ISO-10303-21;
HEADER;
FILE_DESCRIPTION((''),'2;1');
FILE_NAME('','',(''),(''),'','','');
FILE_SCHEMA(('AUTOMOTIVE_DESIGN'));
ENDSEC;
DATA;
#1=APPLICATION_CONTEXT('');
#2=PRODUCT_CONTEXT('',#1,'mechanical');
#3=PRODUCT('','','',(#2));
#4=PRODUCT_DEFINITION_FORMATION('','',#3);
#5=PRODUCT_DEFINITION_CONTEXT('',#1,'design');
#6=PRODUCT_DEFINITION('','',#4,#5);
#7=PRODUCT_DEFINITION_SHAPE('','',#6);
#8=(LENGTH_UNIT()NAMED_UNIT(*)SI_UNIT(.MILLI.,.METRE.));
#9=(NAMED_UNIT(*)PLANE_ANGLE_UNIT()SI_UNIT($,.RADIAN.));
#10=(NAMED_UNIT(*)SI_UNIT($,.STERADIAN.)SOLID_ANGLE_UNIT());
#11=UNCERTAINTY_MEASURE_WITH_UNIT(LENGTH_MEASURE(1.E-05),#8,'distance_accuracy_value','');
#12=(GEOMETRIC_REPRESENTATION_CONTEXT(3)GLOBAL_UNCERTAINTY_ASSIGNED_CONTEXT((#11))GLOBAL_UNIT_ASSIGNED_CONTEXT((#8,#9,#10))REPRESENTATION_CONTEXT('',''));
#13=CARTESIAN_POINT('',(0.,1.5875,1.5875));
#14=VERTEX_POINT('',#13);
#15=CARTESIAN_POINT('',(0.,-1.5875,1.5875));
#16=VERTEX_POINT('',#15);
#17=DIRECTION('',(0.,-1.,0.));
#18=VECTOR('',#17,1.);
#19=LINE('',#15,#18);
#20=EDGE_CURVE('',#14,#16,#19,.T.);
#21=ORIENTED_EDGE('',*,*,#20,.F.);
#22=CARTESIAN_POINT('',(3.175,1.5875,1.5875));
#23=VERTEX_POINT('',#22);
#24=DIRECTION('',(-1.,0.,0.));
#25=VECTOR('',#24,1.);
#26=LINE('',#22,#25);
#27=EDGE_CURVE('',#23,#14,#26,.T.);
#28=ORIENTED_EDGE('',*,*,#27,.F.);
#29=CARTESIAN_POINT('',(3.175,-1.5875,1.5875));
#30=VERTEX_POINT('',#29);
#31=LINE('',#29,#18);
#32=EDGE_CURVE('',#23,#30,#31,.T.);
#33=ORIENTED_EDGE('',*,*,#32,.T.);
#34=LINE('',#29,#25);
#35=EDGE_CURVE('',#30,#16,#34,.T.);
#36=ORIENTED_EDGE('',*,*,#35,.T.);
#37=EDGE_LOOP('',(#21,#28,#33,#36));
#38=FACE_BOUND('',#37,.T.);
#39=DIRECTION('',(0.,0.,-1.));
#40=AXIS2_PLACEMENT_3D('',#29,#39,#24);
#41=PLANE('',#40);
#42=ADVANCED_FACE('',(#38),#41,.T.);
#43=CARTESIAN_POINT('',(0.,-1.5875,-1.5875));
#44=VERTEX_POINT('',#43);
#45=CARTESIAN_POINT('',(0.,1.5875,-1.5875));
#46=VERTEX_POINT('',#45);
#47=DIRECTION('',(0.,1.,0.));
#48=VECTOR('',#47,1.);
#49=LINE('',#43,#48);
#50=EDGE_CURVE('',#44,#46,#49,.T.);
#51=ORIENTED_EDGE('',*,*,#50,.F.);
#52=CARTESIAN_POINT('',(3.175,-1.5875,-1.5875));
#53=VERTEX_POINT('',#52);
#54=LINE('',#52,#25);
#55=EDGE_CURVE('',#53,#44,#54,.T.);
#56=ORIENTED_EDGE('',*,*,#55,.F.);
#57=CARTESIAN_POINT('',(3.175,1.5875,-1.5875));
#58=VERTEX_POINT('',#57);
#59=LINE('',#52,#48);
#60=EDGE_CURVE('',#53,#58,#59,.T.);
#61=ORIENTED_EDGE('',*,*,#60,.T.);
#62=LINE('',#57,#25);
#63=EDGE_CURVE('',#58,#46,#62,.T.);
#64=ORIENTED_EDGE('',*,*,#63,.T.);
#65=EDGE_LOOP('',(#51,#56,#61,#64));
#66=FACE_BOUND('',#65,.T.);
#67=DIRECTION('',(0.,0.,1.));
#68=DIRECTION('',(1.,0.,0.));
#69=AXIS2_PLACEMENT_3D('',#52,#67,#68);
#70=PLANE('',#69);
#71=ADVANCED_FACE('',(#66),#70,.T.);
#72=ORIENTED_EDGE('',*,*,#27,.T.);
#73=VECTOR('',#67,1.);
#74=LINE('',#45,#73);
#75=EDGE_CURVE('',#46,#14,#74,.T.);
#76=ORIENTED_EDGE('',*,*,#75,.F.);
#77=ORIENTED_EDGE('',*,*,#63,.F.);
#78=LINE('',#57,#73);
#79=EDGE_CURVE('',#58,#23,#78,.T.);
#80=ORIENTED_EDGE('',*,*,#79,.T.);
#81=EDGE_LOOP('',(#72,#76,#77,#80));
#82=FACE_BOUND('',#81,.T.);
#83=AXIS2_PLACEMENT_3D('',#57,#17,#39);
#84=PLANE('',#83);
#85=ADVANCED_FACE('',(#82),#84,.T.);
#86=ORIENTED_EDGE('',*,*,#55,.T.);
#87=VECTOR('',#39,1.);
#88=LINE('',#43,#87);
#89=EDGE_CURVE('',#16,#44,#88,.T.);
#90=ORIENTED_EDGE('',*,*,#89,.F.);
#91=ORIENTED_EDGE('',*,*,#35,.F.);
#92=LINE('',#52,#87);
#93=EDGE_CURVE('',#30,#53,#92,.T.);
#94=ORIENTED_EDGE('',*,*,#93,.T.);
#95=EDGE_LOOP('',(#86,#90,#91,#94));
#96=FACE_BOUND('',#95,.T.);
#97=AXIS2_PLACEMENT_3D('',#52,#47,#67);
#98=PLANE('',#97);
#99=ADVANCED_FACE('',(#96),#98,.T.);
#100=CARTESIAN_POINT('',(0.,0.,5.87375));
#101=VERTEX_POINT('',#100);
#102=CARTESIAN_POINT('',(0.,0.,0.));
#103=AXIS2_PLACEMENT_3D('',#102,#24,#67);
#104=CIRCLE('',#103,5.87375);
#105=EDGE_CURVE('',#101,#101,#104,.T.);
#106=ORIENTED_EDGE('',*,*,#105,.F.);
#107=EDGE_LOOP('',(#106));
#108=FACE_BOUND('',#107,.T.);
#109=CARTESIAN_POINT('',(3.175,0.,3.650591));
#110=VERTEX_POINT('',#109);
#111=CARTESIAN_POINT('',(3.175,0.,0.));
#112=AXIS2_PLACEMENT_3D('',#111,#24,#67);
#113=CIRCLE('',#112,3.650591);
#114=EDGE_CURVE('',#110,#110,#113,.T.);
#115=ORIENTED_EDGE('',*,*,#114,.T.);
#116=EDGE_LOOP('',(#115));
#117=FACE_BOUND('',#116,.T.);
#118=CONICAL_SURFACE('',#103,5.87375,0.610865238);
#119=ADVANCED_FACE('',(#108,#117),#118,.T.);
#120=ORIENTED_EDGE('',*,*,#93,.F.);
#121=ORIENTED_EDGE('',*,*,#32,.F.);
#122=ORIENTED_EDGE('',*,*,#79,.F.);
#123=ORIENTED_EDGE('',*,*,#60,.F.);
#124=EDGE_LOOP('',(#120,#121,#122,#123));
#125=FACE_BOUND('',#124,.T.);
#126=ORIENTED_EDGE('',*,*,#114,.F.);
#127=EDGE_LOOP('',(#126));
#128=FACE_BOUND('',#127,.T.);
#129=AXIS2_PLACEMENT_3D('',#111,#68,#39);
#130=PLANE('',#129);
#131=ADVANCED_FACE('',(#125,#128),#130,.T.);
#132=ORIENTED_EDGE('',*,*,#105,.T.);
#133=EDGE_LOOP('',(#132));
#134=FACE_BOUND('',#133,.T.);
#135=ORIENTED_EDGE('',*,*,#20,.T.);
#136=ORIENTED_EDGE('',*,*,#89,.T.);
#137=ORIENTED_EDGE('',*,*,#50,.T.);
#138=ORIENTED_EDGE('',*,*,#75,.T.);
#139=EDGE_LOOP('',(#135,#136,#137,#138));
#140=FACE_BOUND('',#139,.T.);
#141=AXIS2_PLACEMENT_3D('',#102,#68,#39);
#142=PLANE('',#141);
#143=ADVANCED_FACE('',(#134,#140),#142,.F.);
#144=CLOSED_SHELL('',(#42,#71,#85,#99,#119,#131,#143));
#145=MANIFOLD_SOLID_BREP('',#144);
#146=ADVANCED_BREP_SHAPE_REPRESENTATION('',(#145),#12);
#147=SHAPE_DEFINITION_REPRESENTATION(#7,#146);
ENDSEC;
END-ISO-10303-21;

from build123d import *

# Parameters (mm, degrees)
SKETCH1_R           = 5.87375
SKETCH1_W           = 3.175
SKETCH1_H           = 3.175
BOSS_EXTRUDE1_DEPTH = 3.175


with BuildPart() as part:
    # Sketch1 → Boss-Extrude1 (new body)
    with BuildSketch(Plane(origin=(0, 0, 0), x_dir=(0, 0, -1), z_dir=(1, 0, 0))):
        Circle(SKETCH1_R)
        Rectangle(SKETCH1_W, SKETCH1_H, mode=Mode.SUBTRACT)
    extrude(amount=BOSS_EXTRUDE1_DEPTH)

    # Sketch2 → Cut-Revolve1 (revolve, cut)
    with BuildSketch(Plane.XY, mode=Mode.PRIVATE) as cut_revolve1_sk:
        Polygon((0, 5.87375), (3.175, 5.87375), (3.175, 3.650591066), align=None)
    revolve(cut_revolve1_sk.sketch.rotate(Axis((0, 0, 0), (1, 0, 0)), 90), axis=Axis((0, 0, 0), (1, 0, 0)), mode=Mode.SUBTRACT)


solid = part.part
